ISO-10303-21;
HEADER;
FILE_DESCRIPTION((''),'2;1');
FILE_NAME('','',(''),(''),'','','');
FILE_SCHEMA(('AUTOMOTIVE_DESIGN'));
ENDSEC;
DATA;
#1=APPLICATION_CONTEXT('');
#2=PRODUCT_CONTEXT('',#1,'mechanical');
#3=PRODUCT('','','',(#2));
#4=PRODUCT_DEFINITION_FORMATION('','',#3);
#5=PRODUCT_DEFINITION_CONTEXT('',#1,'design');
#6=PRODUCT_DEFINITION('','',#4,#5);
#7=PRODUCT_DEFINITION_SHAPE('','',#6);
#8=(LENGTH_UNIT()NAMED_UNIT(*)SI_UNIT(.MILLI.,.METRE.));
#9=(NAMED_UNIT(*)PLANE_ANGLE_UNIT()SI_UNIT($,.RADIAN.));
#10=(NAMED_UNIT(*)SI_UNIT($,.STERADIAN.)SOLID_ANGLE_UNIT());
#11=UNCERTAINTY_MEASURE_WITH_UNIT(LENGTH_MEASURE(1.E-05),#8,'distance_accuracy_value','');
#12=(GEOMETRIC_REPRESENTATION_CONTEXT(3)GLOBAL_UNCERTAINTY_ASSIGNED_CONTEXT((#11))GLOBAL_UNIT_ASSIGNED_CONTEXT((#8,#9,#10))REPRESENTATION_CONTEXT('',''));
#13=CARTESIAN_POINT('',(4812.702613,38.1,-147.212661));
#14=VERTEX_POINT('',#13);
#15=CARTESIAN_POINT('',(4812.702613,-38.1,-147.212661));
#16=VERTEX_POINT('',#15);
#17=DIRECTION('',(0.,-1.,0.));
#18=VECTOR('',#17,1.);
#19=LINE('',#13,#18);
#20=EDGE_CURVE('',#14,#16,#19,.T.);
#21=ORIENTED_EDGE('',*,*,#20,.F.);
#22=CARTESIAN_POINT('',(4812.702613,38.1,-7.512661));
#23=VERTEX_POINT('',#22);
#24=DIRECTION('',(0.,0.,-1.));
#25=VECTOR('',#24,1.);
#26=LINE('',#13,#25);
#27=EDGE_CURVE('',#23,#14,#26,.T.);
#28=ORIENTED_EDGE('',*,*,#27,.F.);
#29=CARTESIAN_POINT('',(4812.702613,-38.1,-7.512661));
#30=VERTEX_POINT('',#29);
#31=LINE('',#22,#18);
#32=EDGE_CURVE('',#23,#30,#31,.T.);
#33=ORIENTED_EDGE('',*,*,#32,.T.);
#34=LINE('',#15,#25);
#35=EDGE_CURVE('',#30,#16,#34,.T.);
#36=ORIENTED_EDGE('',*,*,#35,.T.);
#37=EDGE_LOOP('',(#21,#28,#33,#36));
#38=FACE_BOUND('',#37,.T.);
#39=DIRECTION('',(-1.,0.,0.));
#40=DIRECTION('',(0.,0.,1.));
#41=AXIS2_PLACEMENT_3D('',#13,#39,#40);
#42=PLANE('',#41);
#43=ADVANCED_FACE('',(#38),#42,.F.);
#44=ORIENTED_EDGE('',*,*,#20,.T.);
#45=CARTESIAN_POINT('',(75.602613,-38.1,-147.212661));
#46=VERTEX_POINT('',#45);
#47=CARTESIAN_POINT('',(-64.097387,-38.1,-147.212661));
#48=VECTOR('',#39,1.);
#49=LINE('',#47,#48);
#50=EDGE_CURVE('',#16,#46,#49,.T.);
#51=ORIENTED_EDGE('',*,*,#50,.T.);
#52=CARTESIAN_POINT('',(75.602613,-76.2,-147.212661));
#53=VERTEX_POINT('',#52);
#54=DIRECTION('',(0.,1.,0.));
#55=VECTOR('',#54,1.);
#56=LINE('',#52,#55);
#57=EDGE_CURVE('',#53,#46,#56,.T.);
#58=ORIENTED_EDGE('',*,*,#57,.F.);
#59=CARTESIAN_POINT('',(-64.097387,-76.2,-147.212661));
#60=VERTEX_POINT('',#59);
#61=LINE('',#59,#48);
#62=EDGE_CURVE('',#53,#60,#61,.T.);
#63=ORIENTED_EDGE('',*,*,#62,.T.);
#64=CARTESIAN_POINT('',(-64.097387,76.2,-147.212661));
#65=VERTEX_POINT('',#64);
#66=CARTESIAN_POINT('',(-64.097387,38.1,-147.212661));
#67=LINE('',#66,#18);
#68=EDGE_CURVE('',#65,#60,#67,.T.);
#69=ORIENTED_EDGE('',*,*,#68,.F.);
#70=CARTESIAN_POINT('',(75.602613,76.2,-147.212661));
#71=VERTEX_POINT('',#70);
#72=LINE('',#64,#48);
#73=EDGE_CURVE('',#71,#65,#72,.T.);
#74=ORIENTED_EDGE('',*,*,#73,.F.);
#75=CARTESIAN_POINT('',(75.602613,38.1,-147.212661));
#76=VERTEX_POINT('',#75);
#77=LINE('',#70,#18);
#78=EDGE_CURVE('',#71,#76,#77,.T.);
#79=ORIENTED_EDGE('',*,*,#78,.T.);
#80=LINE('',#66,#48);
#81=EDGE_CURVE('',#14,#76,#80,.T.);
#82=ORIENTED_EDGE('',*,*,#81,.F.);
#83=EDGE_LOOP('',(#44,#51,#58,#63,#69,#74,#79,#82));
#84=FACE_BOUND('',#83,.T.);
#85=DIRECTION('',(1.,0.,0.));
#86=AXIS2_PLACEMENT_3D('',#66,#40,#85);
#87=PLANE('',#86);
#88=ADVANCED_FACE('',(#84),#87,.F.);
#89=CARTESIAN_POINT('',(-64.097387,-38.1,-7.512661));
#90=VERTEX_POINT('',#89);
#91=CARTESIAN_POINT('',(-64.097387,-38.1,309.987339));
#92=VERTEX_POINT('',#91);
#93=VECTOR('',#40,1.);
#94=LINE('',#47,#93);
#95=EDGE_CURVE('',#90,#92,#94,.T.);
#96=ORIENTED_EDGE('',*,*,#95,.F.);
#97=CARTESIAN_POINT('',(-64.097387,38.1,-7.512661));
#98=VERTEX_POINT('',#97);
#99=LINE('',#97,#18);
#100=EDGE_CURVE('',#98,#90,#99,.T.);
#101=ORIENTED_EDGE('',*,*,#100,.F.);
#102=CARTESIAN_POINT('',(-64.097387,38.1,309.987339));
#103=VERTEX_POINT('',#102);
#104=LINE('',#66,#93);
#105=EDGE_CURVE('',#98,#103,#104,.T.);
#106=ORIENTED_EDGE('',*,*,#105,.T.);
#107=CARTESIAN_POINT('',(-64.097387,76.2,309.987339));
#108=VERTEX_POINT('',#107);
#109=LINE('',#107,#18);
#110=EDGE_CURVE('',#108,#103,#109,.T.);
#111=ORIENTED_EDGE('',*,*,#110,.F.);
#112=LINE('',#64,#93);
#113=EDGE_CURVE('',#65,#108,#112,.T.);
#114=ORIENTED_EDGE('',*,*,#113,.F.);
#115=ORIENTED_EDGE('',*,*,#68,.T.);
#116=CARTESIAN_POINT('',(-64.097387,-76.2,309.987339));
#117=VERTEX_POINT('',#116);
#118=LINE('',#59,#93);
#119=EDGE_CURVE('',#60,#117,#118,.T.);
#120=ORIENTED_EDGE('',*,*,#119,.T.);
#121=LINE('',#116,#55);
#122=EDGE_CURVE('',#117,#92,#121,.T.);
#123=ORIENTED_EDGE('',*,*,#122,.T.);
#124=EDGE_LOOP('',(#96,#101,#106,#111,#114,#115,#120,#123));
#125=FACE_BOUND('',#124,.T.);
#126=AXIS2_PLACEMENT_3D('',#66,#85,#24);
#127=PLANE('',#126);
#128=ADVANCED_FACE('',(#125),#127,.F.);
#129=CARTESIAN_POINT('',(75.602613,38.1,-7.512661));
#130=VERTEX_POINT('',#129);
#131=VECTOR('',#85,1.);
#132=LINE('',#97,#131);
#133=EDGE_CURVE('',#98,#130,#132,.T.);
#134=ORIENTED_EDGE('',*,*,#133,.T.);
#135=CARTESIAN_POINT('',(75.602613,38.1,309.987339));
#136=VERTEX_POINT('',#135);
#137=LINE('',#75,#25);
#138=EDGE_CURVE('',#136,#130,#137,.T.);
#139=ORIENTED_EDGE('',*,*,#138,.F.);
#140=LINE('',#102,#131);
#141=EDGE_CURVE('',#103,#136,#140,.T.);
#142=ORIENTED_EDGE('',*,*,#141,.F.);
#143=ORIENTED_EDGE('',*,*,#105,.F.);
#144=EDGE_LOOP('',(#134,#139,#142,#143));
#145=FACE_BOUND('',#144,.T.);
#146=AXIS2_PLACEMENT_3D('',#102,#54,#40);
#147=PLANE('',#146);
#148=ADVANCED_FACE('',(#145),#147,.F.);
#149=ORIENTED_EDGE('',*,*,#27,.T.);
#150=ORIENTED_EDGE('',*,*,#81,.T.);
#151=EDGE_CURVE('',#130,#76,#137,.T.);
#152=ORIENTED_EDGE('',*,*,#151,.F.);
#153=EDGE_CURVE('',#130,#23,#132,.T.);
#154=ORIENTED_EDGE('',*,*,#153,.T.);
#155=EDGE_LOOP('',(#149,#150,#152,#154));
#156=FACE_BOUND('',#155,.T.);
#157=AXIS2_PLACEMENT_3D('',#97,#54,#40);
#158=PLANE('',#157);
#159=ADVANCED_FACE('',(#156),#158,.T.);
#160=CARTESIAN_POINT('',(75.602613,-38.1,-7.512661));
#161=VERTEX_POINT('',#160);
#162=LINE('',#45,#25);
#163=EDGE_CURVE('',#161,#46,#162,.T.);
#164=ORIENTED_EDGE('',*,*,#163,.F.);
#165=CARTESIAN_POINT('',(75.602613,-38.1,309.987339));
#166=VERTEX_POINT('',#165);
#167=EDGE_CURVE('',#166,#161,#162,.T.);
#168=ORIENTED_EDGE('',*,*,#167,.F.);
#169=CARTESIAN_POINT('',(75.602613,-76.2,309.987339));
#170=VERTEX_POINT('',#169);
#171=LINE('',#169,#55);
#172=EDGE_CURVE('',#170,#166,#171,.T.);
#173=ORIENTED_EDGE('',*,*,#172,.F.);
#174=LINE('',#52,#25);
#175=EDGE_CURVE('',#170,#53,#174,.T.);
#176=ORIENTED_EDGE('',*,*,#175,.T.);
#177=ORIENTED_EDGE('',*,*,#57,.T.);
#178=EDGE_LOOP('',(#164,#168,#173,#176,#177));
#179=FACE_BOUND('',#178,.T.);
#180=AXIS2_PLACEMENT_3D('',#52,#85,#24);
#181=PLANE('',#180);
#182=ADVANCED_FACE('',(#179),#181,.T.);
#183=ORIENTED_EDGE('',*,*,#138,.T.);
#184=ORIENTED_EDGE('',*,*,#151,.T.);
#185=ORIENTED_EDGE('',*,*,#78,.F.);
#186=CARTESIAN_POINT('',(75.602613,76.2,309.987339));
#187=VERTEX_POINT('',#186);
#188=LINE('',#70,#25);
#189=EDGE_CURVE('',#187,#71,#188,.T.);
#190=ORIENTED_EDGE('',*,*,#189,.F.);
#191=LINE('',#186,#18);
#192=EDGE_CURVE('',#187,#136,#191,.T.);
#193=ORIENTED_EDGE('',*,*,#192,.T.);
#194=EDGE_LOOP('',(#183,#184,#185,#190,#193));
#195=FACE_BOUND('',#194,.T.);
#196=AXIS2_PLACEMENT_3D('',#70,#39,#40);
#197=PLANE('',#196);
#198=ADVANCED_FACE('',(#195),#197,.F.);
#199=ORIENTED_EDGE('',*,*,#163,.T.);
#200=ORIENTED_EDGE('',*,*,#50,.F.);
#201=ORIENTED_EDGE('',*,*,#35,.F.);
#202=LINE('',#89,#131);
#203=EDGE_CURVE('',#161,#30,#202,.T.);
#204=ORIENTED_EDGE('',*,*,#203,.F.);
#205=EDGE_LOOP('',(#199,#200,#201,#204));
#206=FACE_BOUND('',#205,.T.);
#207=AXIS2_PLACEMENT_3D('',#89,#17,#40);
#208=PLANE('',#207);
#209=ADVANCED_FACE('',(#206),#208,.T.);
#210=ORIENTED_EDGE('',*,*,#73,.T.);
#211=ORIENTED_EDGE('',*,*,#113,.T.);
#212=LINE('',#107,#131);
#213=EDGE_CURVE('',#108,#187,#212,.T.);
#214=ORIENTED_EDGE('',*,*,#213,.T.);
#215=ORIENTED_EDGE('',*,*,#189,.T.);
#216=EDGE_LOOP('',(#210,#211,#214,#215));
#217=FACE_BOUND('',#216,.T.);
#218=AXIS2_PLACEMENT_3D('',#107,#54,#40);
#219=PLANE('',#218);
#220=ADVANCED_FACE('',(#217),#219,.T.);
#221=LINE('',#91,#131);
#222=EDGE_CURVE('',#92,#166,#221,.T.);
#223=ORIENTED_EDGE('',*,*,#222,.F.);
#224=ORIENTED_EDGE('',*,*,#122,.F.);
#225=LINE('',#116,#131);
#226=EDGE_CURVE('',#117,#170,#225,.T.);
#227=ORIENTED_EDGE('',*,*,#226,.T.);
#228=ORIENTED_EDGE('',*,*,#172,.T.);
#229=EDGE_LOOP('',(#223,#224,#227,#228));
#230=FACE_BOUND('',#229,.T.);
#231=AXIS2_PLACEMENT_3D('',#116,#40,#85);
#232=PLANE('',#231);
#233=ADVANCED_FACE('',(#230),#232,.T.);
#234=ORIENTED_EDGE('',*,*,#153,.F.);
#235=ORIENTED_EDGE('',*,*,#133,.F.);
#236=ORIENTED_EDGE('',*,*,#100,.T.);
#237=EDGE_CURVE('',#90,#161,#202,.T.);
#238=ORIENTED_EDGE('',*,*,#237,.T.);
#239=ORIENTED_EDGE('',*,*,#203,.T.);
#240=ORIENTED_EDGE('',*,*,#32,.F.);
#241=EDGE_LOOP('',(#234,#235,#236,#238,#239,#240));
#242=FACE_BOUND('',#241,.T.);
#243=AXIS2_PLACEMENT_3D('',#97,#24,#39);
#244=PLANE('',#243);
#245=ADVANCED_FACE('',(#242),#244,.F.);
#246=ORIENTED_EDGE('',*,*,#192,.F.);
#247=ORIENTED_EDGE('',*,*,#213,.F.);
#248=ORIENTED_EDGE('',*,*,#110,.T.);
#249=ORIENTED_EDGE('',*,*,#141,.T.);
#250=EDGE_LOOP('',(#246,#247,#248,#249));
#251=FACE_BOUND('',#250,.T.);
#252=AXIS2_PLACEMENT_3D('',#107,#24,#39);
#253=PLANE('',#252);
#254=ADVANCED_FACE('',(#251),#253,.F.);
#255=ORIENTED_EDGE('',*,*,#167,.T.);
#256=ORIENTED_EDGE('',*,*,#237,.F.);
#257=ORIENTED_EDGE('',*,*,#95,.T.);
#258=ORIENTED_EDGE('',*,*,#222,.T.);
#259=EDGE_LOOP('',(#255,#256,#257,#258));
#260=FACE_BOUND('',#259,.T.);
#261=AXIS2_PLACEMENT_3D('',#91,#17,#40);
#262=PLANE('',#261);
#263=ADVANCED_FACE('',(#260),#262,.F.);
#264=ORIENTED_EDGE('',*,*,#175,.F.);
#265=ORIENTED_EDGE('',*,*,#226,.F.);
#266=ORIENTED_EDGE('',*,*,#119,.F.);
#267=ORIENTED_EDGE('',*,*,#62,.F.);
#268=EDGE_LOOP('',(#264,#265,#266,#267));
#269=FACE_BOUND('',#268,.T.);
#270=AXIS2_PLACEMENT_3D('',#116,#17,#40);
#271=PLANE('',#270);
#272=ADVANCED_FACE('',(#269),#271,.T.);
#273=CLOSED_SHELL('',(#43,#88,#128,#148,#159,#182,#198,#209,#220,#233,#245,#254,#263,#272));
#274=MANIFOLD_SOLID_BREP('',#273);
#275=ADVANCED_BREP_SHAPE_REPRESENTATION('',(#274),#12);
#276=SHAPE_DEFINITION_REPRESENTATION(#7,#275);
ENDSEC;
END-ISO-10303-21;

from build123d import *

# Parameters (mm, degrees)
SKETCH1_W           = 4876.8
SKETCH1_H           = 139.7
BOSS_EXTRUDE1_DEPTH = 38.1
SKETCH2_W           = 139.7
SKETCH2_H           = 457.2
BOSS_EXTRUDE2_DEPTH = 38.1


with BuildPart() as part:
    # Sketch1 → Boss-Extrude1 (new body)
    with BuildSketch(Plane(origin=(0, 0, 0), x_dir=(1, 0, 0), z_dir=(0, 1, 0))):
        with Locations((2374.302612985, 77.362661321)):
            Rectangle(SKETCH1_W, SKETCH1_H)
    boss_extrude1 = extrude(amount=BOSS_EXTRUDE1_DEPTH)

    # Sketch2 → Boss-Extrude2 (add)
    with BuildSketch(Plane(origin=(0, 38.1, 0), x_dir=(1, 0, 0), z_dir=(0, 1, 0))):
        with Locations((5.752612985, -81.387338679)):
            Rectangle(SKETCH2_W, SKETCH2_H)
    boss_extrude2 = extrude(amount=BOSS_EXTRUDE2_DEPTH)

    # Mirror1: Boss-Extrude1, Boss-Extrude2 across plane
    add(boss_extrude1.mirror(Plane(origin=(-64.097387015, 0, -7.512661321), x_dir=(0, 0, 1), z_dir=(0, 1, 0))))
    add(boss_extrude2.mirror(Plane(origin=(-64.097387015, 0, -7.512661321), x_dir=(0, 0, 1), z_dir=(0, 1, 0))))


solid = part.part
